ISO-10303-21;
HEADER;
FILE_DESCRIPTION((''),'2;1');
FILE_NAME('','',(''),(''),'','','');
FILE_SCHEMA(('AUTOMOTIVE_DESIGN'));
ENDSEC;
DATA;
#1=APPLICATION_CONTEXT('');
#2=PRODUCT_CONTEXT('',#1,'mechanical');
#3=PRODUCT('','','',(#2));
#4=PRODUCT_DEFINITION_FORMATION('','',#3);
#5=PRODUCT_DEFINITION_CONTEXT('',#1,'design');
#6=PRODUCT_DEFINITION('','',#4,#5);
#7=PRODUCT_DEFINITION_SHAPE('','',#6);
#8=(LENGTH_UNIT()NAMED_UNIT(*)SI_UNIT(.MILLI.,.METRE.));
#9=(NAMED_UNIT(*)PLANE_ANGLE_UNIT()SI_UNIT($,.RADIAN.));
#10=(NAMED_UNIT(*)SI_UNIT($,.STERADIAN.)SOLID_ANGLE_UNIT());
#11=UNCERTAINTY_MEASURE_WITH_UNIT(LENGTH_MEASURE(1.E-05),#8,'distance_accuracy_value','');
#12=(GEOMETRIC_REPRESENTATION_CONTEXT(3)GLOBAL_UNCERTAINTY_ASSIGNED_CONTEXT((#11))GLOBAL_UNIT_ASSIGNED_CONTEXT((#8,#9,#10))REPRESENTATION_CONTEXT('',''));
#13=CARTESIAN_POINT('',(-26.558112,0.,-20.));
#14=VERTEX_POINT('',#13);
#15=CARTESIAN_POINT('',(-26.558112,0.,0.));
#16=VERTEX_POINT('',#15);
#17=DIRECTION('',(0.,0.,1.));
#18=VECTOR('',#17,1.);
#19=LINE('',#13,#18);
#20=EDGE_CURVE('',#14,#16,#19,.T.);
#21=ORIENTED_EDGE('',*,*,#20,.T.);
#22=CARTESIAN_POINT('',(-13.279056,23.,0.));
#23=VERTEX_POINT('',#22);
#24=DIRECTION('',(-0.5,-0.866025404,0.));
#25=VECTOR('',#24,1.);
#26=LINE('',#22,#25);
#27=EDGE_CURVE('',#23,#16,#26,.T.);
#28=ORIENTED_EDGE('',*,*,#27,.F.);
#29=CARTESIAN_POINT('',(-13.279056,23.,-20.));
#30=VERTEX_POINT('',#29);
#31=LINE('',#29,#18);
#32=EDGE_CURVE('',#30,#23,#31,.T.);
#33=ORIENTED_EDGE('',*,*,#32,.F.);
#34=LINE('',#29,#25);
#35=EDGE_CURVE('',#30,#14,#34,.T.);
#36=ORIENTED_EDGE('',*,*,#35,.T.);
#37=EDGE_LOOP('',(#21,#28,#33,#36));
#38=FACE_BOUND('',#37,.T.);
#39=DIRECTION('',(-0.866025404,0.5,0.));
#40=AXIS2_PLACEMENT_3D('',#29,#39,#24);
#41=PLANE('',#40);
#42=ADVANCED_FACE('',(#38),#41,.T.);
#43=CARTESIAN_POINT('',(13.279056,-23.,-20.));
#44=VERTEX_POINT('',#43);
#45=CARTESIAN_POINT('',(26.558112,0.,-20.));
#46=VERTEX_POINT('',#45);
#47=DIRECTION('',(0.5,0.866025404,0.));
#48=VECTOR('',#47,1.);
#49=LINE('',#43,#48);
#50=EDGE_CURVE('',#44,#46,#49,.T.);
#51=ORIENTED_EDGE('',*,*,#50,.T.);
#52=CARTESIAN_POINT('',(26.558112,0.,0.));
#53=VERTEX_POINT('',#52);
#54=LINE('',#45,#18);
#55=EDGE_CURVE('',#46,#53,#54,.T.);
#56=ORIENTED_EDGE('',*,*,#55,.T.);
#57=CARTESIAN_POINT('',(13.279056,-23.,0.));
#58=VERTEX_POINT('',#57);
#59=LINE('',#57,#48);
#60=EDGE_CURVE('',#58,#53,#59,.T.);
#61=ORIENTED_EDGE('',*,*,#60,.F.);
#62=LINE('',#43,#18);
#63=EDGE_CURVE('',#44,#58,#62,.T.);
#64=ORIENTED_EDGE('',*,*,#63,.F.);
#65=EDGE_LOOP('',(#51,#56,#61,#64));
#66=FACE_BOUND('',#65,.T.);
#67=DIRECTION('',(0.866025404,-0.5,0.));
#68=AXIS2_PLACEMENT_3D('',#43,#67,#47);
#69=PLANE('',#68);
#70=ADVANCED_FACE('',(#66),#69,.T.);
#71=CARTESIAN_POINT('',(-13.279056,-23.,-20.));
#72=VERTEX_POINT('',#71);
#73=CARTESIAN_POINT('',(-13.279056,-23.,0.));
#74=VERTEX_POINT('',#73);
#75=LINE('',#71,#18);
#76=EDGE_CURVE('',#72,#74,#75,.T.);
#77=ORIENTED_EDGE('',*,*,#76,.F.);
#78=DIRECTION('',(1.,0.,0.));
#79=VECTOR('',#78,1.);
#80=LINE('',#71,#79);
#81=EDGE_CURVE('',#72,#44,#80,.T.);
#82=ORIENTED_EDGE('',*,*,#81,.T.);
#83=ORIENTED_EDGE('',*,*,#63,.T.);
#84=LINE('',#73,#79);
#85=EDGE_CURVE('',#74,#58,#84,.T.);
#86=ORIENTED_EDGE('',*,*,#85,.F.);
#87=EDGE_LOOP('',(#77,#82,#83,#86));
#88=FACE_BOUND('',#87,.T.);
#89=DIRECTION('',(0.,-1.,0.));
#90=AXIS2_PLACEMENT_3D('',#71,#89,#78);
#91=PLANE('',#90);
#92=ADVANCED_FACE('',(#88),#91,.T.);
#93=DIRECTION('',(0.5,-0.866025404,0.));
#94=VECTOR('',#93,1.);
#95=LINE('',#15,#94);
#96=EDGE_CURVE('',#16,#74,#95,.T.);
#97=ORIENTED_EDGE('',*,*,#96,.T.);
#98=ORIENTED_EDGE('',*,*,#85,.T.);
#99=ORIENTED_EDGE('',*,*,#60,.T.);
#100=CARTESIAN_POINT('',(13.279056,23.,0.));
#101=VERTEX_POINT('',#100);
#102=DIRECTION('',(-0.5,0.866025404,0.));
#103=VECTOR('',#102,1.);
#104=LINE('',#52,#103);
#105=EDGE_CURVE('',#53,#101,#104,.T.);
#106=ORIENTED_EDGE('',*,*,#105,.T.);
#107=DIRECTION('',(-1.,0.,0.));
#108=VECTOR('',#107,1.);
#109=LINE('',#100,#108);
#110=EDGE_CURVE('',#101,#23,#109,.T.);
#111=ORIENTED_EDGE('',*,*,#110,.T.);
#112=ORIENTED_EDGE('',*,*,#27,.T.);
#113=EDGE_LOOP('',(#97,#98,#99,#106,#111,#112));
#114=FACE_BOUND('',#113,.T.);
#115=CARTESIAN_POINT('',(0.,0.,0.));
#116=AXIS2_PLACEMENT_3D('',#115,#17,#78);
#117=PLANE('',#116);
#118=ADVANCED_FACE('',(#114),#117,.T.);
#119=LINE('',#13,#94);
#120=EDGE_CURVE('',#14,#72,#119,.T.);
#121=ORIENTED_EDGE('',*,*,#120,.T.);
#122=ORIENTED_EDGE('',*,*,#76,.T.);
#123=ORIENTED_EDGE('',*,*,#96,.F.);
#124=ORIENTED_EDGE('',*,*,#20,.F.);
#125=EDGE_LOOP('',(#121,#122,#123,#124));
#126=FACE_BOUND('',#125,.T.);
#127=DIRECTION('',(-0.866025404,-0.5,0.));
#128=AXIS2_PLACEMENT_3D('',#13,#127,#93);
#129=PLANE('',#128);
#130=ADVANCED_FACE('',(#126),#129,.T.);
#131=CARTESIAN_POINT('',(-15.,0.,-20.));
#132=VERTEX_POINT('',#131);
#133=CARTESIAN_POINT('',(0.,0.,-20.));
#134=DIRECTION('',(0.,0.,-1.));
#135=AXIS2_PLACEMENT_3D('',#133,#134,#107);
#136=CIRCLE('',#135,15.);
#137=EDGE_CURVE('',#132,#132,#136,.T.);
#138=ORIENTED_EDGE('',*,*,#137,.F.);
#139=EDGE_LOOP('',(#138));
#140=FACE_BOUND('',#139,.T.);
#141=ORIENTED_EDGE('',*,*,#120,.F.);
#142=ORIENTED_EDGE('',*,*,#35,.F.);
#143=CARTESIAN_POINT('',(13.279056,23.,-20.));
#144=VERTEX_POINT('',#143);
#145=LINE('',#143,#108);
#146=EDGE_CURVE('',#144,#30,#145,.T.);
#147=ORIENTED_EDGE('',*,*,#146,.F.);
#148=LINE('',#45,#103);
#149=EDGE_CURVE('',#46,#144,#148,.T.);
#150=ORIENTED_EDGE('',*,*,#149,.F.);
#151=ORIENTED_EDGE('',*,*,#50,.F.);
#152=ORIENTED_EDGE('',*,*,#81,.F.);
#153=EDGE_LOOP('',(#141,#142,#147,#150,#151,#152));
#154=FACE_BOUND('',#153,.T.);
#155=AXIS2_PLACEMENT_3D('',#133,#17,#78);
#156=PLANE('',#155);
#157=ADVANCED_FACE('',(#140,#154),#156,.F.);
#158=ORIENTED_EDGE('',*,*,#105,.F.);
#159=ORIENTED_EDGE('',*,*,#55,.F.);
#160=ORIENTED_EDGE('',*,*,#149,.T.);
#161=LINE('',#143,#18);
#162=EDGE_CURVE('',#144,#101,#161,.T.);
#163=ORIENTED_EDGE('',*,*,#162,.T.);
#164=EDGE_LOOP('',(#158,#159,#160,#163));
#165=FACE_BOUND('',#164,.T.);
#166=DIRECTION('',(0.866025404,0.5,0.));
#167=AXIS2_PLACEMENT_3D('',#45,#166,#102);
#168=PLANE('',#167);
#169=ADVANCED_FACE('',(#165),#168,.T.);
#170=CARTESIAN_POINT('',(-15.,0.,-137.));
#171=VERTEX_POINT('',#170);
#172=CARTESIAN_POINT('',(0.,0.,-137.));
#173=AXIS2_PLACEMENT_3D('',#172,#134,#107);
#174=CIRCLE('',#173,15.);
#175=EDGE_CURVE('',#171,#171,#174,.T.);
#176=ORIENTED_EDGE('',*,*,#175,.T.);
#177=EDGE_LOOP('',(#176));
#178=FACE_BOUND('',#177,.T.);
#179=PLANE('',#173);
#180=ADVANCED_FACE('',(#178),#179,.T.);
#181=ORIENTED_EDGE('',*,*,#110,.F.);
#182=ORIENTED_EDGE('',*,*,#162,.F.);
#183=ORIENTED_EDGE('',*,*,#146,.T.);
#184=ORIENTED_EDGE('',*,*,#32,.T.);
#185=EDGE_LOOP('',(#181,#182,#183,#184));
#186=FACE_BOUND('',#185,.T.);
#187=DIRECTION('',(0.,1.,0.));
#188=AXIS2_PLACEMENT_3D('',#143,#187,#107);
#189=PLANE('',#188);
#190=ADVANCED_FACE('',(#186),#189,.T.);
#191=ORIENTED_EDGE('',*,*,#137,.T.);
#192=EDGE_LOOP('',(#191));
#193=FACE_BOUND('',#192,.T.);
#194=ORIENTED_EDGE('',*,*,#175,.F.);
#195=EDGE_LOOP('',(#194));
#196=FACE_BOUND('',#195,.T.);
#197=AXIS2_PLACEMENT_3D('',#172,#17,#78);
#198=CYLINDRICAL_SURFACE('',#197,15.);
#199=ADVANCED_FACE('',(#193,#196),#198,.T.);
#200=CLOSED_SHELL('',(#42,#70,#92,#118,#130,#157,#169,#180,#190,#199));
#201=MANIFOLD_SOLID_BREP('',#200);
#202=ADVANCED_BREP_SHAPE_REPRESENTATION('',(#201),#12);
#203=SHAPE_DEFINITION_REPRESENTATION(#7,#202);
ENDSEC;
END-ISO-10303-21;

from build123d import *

# Parameters (mm, degrees)
BOSS_EXTRUDE1_DEPTH = 20
SKETCH2_R           = 15
BOSS_EXTRUDE2_DEPTH = 117


with BuildPart() as part:
    # Sketch1 → Boss-Extrude1 (new body)
    with BuildSketch(Plane.XY):
        Polygon((26.558112383, 0), (13.279056191, 23), (-13.279056191, 23), (-26.558112383, 0), (-13.279056191, -23), (13.279056191, -23), align=None)
    extrude(amount=-BOSS_EXTRUDE1_DEPTH)

    # Sketch2 → Boss-Extrude2 (add)
    with BuildSketch(Plane(origin=(0, 0, -20), x_dir=(-1, 0, 0), z_dir=(0, 0, -1))):
        Circle(SKETCH2_R)
    extrude(amount=BOSS_EXTRUDE2_DEPTH)


solid = part.part
